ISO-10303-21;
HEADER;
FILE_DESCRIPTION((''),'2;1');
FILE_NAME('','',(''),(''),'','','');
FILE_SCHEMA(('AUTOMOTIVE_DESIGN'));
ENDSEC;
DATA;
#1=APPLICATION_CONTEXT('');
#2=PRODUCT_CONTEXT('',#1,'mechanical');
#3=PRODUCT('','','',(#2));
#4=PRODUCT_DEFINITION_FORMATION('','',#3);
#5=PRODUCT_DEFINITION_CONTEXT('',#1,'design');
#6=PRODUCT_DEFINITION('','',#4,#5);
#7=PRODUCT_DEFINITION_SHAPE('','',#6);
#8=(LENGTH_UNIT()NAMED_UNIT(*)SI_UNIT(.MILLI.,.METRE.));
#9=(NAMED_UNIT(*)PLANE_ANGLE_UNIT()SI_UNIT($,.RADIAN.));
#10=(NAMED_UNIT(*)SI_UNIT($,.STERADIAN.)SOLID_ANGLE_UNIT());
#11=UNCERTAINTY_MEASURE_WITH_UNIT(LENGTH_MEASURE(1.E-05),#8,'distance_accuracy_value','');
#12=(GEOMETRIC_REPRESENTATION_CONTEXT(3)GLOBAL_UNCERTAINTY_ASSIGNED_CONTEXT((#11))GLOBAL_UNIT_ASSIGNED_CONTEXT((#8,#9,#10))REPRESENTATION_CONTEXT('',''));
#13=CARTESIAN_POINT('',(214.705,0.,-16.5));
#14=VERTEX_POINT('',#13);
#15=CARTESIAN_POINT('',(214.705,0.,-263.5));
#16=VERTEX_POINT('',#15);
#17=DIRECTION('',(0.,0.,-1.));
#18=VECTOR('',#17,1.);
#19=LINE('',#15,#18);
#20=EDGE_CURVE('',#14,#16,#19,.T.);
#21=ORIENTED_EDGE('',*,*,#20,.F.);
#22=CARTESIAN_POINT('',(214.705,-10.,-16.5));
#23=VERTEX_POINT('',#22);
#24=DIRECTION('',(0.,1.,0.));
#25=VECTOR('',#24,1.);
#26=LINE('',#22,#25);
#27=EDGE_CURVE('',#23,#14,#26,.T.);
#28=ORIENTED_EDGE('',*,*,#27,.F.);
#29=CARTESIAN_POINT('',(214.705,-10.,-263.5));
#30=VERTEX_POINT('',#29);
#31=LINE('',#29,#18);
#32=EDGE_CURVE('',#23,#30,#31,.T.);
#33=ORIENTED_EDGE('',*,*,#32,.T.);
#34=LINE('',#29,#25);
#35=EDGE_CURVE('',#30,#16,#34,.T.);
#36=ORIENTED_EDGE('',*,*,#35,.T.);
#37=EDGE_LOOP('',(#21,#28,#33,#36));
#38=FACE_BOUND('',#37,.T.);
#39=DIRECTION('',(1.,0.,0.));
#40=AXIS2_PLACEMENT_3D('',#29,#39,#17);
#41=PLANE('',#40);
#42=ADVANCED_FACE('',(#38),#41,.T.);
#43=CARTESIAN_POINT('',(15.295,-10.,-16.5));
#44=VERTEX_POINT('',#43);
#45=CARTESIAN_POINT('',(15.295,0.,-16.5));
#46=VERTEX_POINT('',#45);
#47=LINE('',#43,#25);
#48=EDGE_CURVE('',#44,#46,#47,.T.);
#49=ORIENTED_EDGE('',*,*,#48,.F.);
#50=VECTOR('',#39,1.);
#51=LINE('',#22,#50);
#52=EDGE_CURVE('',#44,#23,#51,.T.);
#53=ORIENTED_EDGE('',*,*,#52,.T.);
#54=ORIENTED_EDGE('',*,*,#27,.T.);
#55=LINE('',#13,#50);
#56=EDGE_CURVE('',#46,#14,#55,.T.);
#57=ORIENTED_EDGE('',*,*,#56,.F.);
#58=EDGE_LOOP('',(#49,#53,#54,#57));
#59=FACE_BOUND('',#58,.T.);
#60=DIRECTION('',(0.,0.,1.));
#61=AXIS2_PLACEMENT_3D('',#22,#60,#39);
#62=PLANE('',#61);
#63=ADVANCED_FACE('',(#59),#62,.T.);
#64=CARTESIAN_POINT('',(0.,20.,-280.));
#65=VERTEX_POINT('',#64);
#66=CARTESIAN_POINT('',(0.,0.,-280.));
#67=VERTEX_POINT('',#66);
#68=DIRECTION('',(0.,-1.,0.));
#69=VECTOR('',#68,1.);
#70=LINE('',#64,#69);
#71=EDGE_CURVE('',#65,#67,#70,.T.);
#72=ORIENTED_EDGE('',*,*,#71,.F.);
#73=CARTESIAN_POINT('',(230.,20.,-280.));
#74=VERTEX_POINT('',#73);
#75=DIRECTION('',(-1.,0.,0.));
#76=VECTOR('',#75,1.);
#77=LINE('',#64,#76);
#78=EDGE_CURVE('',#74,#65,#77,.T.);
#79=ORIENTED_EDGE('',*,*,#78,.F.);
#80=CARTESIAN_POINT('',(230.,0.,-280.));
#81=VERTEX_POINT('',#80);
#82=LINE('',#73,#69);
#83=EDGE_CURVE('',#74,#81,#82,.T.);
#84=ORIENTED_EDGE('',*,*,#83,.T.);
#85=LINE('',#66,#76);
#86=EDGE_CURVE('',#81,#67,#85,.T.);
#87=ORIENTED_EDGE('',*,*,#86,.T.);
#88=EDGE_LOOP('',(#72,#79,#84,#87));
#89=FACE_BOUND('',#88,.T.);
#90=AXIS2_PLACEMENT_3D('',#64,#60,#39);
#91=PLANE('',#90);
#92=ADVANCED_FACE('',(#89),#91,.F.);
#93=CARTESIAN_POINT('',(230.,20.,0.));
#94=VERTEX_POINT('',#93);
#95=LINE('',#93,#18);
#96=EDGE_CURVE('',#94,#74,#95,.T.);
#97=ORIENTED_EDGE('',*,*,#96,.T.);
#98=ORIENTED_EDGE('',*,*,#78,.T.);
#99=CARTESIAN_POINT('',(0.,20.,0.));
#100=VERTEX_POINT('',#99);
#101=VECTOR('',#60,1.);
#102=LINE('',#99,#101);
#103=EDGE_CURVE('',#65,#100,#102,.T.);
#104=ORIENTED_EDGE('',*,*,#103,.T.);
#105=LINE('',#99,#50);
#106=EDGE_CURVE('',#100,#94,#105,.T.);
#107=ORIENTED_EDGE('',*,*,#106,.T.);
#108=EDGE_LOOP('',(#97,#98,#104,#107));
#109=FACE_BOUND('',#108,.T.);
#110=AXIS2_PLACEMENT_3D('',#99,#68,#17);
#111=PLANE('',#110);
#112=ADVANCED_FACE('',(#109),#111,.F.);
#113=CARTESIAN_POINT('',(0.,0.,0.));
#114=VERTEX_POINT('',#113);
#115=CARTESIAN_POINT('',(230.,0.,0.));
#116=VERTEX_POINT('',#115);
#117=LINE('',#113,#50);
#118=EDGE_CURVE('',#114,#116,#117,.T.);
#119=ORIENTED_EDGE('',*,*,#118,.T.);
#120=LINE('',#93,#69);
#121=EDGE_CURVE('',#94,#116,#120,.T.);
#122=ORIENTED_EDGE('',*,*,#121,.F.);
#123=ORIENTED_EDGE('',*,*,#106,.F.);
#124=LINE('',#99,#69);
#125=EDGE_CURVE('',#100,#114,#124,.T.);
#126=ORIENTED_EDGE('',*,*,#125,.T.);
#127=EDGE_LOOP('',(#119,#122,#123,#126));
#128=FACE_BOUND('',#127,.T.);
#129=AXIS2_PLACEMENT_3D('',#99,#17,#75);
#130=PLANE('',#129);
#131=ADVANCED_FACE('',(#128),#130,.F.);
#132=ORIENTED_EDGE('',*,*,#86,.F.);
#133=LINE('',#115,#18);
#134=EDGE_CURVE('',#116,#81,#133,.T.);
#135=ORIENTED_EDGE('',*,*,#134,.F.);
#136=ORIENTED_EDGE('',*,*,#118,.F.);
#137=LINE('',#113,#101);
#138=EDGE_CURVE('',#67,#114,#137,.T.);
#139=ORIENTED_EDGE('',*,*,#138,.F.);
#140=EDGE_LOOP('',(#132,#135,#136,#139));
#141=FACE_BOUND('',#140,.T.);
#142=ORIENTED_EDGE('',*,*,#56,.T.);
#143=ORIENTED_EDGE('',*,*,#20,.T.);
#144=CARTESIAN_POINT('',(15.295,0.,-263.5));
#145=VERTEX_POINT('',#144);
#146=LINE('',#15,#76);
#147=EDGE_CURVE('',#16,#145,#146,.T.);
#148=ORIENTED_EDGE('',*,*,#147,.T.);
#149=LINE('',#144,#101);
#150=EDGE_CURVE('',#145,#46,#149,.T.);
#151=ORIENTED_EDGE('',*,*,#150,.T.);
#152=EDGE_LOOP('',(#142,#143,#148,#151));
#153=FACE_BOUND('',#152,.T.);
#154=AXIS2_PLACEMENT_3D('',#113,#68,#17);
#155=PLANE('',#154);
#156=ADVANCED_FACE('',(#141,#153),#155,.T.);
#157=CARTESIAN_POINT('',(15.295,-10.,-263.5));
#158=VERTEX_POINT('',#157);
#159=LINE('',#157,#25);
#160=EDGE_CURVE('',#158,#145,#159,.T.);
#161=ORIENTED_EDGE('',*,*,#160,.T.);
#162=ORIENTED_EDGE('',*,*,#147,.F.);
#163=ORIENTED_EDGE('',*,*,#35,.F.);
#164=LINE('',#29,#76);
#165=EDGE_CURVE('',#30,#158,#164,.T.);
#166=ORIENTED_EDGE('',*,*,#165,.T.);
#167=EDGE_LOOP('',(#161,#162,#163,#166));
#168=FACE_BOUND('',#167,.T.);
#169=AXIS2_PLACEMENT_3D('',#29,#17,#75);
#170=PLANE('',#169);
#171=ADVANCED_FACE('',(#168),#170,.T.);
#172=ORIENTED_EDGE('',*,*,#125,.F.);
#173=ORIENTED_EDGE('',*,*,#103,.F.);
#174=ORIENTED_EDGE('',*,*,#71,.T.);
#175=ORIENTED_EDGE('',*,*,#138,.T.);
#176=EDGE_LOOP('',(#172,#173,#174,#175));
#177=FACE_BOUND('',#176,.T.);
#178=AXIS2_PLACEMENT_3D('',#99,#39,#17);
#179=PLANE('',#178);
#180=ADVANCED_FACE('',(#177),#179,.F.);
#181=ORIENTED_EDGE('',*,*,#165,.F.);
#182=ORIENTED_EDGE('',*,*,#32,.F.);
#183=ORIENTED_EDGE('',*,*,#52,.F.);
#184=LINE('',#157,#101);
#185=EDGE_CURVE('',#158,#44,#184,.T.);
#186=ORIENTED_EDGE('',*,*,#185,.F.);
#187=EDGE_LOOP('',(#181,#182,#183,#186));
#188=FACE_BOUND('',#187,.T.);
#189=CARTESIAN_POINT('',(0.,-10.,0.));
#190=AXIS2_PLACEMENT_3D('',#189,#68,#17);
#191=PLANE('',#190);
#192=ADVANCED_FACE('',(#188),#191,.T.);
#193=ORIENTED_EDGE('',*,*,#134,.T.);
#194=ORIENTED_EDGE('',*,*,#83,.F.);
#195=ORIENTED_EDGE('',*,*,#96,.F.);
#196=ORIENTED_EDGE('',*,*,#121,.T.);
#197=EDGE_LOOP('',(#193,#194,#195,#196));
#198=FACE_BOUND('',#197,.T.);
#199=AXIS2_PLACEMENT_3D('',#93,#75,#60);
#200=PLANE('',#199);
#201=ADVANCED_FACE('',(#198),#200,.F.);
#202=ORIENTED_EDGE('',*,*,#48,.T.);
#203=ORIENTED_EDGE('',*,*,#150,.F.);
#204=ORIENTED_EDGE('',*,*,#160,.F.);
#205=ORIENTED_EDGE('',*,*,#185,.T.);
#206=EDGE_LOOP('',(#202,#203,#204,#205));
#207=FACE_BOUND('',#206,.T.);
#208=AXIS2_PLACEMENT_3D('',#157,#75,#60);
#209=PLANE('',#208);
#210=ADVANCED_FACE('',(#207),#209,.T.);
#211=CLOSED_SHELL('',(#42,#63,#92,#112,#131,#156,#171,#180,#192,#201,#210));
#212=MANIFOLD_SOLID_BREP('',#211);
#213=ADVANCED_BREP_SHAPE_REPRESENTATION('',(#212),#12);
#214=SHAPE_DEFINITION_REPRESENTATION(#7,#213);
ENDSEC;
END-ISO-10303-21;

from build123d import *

# Parameters (mm, degrees)
SKETCH1_W           = 230
SKETCH1_H           = 280
BOSS_EXTRUDE1_DEPTH = 20
SKETCH2_W           = 199.41
SKETCH2_H           = 247
BOSS_EXTRUDE2_DEPTH = 10


with BuildPart() as part:
    # Sketch1 → Boss-Extrude1 (new body)
    with BuildSketch(Plane(origin=(0, 0, 0), x_dir=(1, 0, 0), z_dir=(0, 1, 0))):
        with Locations((115, 140)):
            Rectangle(SKETCH1_W, SKETCH1_H)
    extrude(amount=BOSS_EXTRUDE1_DEPTH)

    # Sketch2 → Boss-Extrude2 (add)
    with BuildSketch(Plane(origin=(0, 0, 0), x_dir=(1, 0, 0), z_dir=(0, 1, 0))):
        with Locations((115, 140)):
            Rectangle(SKETCH2_W, SKETCH2_H)
    extrude(amount=-BOSS_EXTRUDE2_DEPTH)


solid = part.part
